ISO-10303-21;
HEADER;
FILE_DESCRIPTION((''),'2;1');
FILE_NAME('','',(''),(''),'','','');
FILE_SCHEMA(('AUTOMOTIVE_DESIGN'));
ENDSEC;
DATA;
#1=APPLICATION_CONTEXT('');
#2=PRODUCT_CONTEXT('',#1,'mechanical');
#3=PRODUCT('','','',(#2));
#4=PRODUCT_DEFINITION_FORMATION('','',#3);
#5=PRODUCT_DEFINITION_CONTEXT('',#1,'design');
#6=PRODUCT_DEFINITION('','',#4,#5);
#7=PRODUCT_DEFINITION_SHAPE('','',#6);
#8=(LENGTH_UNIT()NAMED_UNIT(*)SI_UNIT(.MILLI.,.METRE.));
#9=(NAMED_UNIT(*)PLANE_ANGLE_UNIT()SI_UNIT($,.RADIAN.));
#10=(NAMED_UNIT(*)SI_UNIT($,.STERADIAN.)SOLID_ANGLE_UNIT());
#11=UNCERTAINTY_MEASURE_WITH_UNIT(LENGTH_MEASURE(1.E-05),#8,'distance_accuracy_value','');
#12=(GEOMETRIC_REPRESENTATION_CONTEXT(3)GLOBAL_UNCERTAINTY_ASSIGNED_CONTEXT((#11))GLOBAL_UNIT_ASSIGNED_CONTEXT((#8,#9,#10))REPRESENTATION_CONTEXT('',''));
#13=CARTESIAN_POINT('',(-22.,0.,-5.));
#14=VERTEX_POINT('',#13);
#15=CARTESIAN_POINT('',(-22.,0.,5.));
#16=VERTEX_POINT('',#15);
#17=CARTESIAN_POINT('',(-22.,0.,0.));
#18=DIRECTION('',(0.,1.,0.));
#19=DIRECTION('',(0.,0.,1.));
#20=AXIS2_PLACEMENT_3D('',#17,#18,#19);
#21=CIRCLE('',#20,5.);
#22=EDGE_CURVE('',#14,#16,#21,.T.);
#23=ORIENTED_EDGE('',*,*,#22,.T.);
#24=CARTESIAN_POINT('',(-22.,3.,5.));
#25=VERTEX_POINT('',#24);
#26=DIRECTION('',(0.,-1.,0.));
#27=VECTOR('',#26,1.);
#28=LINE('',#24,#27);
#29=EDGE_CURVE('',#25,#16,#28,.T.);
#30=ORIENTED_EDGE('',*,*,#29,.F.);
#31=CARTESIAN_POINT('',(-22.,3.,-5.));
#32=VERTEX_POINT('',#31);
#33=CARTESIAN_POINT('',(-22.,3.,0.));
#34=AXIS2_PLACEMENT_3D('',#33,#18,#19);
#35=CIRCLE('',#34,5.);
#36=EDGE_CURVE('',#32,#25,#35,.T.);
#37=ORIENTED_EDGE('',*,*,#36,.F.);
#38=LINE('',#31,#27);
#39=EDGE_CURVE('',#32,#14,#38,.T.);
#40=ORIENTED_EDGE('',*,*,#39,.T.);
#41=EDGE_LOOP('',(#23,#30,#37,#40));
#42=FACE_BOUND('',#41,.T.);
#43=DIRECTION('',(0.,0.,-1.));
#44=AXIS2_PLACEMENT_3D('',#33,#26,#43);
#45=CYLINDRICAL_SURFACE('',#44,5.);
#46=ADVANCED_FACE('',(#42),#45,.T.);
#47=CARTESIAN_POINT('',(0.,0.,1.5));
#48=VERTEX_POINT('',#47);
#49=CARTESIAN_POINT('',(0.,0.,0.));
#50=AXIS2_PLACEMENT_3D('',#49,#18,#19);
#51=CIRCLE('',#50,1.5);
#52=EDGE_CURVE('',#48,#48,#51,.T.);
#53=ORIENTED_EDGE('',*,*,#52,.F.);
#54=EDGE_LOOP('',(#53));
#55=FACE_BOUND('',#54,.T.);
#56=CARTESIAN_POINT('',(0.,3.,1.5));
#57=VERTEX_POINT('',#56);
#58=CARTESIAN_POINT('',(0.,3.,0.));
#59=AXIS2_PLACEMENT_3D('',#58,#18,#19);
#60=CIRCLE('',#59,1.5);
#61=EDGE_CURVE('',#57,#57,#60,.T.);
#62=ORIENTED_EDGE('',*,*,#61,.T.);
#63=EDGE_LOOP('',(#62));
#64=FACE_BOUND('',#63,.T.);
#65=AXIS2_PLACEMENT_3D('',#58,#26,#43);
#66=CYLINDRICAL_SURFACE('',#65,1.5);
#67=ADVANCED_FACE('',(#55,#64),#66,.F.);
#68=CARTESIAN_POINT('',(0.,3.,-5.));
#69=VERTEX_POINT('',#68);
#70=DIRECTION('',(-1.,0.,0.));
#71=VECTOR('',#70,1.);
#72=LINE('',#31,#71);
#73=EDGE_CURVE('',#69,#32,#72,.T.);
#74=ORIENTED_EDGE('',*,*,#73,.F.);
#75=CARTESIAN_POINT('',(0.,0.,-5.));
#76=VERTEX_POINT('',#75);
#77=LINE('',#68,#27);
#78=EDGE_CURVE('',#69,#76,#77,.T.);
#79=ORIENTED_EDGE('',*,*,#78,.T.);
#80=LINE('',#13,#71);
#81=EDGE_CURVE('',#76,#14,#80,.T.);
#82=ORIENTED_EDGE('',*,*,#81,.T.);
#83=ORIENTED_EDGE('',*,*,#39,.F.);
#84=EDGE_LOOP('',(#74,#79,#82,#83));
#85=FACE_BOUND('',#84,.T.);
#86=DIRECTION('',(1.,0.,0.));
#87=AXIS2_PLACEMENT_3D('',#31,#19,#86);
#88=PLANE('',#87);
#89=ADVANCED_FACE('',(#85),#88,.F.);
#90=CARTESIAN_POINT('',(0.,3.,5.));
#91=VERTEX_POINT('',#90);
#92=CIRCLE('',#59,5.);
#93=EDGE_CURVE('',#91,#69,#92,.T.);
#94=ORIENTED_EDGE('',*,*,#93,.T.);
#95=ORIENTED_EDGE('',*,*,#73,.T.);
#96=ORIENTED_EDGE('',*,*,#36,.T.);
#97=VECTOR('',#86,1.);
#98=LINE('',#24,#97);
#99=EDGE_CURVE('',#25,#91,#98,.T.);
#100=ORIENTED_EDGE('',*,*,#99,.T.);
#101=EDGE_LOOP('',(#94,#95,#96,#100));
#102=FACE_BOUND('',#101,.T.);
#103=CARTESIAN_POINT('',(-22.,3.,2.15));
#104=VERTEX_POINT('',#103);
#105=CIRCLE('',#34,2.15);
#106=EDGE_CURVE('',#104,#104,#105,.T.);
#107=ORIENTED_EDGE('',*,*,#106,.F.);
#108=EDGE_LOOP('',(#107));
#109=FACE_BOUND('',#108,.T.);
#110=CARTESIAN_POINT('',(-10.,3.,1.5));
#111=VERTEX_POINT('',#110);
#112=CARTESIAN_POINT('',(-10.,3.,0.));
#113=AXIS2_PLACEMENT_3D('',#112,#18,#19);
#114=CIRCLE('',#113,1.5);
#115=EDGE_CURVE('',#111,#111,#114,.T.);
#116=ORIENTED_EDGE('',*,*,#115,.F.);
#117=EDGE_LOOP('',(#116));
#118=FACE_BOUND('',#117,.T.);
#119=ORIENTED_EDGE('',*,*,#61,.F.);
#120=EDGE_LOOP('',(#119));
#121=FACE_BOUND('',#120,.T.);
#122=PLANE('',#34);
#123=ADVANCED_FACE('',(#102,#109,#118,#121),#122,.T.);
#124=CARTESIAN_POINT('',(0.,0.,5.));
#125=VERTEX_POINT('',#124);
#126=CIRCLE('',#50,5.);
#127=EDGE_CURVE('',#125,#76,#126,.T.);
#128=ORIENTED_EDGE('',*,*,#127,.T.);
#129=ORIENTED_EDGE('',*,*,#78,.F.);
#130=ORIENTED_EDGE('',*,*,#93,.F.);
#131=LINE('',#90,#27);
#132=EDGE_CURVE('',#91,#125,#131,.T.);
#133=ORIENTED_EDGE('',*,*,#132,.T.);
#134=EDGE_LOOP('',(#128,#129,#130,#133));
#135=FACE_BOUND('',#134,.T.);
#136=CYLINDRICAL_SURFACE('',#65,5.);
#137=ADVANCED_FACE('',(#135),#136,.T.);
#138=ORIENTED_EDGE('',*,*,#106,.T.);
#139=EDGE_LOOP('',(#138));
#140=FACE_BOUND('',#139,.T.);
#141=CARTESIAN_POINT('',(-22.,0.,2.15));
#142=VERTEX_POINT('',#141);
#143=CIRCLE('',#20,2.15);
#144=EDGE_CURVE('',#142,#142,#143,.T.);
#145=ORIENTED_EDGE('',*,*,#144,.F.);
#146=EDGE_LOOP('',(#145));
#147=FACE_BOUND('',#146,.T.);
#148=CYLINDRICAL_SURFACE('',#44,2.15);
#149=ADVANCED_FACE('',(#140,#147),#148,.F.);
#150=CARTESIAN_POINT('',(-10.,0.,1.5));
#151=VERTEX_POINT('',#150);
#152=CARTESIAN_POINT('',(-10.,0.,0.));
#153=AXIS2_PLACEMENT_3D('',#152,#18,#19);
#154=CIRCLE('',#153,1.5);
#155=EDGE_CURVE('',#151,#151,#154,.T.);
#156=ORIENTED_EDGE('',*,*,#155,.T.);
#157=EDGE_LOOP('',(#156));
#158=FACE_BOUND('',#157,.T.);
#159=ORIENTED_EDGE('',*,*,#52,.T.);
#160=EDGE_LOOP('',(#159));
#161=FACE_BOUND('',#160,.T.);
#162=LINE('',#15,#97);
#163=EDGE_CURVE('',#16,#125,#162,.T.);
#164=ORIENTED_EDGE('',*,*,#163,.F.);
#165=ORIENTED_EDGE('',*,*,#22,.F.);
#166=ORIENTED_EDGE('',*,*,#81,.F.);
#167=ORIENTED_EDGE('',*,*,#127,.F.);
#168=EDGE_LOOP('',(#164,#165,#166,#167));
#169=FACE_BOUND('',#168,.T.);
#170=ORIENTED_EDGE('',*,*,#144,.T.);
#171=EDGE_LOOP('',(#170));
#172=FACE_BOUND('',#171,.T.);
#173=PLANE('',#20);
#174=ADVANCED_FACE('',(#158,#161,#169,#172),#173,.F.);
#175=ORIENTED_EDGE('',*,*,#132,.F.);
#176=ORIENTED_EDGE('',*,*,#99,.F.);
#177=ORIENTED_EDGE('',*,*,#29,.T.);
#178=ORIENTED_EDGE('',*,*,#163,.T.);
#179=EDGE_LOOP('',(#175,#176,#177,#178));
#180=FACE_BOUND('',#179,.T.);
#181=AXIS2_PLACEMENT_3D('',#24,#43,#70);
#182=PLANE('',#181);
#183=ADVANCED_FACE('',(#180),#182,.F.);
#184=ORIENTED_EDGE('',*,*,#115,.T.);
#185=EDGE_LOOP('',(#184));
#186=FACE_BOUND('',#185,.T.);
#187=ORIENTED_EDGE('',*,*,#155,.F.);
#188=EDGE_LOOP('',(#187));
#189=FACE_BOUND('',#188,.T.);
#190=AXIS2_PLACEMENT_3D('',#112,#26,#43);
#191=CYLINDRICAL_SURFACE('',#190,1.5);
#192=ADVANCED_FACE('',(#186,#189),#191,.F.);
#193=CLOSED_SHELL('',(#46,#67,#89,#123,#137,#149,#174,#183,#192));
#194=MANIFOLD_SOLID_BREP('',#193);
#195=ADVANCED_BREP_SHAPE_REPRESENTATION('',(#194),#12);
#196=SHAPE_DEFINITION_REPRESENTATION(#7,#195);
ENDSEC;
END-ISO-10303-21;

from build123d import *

# Parameters (mm, degrees)
SKETCH_1_R      = 1.5
SKETCH_1_R_2    = 2.15
EXTRUDE_1_DEPTH = 3


with BuildPart() as part:
    # 草图1 → 凸台-拉伸1 (new body)
    with BuildSketch(Plane(origin=(0, 0, 0), x_dir=(1, 0, 0), z_dir=(0, 1, 0))):
        with BuildLine():
            Line((-22, 5), (0, 5))
            ThreePointArc((0, 5), (5, 0), (0, -5))
            Line((0, -5), (-22, -5))
            ThreePointArc((-22, -5), (-27, 0), (-22, 5))
        make_face()
        with Locations(Location((0, 0, 0), (0, 0, 270))):
            Circle(SKETCH_1_R, mode=Mode.SUBTRACT)
        with Locations(Location((-10, 0, 0), (0, 0, 270))):
            Circle(SKETCH_1_R, mode=Mode.SUBTRACT)
        with Locations(Location((-22, 0, 0), (0, 0, 270))):
            Circle(SKETCH_1_R_2, mode=Mode.SUBTRACT)
    extrude(amount=EXTRUDE_1_DEPTH)


solid = part.part
